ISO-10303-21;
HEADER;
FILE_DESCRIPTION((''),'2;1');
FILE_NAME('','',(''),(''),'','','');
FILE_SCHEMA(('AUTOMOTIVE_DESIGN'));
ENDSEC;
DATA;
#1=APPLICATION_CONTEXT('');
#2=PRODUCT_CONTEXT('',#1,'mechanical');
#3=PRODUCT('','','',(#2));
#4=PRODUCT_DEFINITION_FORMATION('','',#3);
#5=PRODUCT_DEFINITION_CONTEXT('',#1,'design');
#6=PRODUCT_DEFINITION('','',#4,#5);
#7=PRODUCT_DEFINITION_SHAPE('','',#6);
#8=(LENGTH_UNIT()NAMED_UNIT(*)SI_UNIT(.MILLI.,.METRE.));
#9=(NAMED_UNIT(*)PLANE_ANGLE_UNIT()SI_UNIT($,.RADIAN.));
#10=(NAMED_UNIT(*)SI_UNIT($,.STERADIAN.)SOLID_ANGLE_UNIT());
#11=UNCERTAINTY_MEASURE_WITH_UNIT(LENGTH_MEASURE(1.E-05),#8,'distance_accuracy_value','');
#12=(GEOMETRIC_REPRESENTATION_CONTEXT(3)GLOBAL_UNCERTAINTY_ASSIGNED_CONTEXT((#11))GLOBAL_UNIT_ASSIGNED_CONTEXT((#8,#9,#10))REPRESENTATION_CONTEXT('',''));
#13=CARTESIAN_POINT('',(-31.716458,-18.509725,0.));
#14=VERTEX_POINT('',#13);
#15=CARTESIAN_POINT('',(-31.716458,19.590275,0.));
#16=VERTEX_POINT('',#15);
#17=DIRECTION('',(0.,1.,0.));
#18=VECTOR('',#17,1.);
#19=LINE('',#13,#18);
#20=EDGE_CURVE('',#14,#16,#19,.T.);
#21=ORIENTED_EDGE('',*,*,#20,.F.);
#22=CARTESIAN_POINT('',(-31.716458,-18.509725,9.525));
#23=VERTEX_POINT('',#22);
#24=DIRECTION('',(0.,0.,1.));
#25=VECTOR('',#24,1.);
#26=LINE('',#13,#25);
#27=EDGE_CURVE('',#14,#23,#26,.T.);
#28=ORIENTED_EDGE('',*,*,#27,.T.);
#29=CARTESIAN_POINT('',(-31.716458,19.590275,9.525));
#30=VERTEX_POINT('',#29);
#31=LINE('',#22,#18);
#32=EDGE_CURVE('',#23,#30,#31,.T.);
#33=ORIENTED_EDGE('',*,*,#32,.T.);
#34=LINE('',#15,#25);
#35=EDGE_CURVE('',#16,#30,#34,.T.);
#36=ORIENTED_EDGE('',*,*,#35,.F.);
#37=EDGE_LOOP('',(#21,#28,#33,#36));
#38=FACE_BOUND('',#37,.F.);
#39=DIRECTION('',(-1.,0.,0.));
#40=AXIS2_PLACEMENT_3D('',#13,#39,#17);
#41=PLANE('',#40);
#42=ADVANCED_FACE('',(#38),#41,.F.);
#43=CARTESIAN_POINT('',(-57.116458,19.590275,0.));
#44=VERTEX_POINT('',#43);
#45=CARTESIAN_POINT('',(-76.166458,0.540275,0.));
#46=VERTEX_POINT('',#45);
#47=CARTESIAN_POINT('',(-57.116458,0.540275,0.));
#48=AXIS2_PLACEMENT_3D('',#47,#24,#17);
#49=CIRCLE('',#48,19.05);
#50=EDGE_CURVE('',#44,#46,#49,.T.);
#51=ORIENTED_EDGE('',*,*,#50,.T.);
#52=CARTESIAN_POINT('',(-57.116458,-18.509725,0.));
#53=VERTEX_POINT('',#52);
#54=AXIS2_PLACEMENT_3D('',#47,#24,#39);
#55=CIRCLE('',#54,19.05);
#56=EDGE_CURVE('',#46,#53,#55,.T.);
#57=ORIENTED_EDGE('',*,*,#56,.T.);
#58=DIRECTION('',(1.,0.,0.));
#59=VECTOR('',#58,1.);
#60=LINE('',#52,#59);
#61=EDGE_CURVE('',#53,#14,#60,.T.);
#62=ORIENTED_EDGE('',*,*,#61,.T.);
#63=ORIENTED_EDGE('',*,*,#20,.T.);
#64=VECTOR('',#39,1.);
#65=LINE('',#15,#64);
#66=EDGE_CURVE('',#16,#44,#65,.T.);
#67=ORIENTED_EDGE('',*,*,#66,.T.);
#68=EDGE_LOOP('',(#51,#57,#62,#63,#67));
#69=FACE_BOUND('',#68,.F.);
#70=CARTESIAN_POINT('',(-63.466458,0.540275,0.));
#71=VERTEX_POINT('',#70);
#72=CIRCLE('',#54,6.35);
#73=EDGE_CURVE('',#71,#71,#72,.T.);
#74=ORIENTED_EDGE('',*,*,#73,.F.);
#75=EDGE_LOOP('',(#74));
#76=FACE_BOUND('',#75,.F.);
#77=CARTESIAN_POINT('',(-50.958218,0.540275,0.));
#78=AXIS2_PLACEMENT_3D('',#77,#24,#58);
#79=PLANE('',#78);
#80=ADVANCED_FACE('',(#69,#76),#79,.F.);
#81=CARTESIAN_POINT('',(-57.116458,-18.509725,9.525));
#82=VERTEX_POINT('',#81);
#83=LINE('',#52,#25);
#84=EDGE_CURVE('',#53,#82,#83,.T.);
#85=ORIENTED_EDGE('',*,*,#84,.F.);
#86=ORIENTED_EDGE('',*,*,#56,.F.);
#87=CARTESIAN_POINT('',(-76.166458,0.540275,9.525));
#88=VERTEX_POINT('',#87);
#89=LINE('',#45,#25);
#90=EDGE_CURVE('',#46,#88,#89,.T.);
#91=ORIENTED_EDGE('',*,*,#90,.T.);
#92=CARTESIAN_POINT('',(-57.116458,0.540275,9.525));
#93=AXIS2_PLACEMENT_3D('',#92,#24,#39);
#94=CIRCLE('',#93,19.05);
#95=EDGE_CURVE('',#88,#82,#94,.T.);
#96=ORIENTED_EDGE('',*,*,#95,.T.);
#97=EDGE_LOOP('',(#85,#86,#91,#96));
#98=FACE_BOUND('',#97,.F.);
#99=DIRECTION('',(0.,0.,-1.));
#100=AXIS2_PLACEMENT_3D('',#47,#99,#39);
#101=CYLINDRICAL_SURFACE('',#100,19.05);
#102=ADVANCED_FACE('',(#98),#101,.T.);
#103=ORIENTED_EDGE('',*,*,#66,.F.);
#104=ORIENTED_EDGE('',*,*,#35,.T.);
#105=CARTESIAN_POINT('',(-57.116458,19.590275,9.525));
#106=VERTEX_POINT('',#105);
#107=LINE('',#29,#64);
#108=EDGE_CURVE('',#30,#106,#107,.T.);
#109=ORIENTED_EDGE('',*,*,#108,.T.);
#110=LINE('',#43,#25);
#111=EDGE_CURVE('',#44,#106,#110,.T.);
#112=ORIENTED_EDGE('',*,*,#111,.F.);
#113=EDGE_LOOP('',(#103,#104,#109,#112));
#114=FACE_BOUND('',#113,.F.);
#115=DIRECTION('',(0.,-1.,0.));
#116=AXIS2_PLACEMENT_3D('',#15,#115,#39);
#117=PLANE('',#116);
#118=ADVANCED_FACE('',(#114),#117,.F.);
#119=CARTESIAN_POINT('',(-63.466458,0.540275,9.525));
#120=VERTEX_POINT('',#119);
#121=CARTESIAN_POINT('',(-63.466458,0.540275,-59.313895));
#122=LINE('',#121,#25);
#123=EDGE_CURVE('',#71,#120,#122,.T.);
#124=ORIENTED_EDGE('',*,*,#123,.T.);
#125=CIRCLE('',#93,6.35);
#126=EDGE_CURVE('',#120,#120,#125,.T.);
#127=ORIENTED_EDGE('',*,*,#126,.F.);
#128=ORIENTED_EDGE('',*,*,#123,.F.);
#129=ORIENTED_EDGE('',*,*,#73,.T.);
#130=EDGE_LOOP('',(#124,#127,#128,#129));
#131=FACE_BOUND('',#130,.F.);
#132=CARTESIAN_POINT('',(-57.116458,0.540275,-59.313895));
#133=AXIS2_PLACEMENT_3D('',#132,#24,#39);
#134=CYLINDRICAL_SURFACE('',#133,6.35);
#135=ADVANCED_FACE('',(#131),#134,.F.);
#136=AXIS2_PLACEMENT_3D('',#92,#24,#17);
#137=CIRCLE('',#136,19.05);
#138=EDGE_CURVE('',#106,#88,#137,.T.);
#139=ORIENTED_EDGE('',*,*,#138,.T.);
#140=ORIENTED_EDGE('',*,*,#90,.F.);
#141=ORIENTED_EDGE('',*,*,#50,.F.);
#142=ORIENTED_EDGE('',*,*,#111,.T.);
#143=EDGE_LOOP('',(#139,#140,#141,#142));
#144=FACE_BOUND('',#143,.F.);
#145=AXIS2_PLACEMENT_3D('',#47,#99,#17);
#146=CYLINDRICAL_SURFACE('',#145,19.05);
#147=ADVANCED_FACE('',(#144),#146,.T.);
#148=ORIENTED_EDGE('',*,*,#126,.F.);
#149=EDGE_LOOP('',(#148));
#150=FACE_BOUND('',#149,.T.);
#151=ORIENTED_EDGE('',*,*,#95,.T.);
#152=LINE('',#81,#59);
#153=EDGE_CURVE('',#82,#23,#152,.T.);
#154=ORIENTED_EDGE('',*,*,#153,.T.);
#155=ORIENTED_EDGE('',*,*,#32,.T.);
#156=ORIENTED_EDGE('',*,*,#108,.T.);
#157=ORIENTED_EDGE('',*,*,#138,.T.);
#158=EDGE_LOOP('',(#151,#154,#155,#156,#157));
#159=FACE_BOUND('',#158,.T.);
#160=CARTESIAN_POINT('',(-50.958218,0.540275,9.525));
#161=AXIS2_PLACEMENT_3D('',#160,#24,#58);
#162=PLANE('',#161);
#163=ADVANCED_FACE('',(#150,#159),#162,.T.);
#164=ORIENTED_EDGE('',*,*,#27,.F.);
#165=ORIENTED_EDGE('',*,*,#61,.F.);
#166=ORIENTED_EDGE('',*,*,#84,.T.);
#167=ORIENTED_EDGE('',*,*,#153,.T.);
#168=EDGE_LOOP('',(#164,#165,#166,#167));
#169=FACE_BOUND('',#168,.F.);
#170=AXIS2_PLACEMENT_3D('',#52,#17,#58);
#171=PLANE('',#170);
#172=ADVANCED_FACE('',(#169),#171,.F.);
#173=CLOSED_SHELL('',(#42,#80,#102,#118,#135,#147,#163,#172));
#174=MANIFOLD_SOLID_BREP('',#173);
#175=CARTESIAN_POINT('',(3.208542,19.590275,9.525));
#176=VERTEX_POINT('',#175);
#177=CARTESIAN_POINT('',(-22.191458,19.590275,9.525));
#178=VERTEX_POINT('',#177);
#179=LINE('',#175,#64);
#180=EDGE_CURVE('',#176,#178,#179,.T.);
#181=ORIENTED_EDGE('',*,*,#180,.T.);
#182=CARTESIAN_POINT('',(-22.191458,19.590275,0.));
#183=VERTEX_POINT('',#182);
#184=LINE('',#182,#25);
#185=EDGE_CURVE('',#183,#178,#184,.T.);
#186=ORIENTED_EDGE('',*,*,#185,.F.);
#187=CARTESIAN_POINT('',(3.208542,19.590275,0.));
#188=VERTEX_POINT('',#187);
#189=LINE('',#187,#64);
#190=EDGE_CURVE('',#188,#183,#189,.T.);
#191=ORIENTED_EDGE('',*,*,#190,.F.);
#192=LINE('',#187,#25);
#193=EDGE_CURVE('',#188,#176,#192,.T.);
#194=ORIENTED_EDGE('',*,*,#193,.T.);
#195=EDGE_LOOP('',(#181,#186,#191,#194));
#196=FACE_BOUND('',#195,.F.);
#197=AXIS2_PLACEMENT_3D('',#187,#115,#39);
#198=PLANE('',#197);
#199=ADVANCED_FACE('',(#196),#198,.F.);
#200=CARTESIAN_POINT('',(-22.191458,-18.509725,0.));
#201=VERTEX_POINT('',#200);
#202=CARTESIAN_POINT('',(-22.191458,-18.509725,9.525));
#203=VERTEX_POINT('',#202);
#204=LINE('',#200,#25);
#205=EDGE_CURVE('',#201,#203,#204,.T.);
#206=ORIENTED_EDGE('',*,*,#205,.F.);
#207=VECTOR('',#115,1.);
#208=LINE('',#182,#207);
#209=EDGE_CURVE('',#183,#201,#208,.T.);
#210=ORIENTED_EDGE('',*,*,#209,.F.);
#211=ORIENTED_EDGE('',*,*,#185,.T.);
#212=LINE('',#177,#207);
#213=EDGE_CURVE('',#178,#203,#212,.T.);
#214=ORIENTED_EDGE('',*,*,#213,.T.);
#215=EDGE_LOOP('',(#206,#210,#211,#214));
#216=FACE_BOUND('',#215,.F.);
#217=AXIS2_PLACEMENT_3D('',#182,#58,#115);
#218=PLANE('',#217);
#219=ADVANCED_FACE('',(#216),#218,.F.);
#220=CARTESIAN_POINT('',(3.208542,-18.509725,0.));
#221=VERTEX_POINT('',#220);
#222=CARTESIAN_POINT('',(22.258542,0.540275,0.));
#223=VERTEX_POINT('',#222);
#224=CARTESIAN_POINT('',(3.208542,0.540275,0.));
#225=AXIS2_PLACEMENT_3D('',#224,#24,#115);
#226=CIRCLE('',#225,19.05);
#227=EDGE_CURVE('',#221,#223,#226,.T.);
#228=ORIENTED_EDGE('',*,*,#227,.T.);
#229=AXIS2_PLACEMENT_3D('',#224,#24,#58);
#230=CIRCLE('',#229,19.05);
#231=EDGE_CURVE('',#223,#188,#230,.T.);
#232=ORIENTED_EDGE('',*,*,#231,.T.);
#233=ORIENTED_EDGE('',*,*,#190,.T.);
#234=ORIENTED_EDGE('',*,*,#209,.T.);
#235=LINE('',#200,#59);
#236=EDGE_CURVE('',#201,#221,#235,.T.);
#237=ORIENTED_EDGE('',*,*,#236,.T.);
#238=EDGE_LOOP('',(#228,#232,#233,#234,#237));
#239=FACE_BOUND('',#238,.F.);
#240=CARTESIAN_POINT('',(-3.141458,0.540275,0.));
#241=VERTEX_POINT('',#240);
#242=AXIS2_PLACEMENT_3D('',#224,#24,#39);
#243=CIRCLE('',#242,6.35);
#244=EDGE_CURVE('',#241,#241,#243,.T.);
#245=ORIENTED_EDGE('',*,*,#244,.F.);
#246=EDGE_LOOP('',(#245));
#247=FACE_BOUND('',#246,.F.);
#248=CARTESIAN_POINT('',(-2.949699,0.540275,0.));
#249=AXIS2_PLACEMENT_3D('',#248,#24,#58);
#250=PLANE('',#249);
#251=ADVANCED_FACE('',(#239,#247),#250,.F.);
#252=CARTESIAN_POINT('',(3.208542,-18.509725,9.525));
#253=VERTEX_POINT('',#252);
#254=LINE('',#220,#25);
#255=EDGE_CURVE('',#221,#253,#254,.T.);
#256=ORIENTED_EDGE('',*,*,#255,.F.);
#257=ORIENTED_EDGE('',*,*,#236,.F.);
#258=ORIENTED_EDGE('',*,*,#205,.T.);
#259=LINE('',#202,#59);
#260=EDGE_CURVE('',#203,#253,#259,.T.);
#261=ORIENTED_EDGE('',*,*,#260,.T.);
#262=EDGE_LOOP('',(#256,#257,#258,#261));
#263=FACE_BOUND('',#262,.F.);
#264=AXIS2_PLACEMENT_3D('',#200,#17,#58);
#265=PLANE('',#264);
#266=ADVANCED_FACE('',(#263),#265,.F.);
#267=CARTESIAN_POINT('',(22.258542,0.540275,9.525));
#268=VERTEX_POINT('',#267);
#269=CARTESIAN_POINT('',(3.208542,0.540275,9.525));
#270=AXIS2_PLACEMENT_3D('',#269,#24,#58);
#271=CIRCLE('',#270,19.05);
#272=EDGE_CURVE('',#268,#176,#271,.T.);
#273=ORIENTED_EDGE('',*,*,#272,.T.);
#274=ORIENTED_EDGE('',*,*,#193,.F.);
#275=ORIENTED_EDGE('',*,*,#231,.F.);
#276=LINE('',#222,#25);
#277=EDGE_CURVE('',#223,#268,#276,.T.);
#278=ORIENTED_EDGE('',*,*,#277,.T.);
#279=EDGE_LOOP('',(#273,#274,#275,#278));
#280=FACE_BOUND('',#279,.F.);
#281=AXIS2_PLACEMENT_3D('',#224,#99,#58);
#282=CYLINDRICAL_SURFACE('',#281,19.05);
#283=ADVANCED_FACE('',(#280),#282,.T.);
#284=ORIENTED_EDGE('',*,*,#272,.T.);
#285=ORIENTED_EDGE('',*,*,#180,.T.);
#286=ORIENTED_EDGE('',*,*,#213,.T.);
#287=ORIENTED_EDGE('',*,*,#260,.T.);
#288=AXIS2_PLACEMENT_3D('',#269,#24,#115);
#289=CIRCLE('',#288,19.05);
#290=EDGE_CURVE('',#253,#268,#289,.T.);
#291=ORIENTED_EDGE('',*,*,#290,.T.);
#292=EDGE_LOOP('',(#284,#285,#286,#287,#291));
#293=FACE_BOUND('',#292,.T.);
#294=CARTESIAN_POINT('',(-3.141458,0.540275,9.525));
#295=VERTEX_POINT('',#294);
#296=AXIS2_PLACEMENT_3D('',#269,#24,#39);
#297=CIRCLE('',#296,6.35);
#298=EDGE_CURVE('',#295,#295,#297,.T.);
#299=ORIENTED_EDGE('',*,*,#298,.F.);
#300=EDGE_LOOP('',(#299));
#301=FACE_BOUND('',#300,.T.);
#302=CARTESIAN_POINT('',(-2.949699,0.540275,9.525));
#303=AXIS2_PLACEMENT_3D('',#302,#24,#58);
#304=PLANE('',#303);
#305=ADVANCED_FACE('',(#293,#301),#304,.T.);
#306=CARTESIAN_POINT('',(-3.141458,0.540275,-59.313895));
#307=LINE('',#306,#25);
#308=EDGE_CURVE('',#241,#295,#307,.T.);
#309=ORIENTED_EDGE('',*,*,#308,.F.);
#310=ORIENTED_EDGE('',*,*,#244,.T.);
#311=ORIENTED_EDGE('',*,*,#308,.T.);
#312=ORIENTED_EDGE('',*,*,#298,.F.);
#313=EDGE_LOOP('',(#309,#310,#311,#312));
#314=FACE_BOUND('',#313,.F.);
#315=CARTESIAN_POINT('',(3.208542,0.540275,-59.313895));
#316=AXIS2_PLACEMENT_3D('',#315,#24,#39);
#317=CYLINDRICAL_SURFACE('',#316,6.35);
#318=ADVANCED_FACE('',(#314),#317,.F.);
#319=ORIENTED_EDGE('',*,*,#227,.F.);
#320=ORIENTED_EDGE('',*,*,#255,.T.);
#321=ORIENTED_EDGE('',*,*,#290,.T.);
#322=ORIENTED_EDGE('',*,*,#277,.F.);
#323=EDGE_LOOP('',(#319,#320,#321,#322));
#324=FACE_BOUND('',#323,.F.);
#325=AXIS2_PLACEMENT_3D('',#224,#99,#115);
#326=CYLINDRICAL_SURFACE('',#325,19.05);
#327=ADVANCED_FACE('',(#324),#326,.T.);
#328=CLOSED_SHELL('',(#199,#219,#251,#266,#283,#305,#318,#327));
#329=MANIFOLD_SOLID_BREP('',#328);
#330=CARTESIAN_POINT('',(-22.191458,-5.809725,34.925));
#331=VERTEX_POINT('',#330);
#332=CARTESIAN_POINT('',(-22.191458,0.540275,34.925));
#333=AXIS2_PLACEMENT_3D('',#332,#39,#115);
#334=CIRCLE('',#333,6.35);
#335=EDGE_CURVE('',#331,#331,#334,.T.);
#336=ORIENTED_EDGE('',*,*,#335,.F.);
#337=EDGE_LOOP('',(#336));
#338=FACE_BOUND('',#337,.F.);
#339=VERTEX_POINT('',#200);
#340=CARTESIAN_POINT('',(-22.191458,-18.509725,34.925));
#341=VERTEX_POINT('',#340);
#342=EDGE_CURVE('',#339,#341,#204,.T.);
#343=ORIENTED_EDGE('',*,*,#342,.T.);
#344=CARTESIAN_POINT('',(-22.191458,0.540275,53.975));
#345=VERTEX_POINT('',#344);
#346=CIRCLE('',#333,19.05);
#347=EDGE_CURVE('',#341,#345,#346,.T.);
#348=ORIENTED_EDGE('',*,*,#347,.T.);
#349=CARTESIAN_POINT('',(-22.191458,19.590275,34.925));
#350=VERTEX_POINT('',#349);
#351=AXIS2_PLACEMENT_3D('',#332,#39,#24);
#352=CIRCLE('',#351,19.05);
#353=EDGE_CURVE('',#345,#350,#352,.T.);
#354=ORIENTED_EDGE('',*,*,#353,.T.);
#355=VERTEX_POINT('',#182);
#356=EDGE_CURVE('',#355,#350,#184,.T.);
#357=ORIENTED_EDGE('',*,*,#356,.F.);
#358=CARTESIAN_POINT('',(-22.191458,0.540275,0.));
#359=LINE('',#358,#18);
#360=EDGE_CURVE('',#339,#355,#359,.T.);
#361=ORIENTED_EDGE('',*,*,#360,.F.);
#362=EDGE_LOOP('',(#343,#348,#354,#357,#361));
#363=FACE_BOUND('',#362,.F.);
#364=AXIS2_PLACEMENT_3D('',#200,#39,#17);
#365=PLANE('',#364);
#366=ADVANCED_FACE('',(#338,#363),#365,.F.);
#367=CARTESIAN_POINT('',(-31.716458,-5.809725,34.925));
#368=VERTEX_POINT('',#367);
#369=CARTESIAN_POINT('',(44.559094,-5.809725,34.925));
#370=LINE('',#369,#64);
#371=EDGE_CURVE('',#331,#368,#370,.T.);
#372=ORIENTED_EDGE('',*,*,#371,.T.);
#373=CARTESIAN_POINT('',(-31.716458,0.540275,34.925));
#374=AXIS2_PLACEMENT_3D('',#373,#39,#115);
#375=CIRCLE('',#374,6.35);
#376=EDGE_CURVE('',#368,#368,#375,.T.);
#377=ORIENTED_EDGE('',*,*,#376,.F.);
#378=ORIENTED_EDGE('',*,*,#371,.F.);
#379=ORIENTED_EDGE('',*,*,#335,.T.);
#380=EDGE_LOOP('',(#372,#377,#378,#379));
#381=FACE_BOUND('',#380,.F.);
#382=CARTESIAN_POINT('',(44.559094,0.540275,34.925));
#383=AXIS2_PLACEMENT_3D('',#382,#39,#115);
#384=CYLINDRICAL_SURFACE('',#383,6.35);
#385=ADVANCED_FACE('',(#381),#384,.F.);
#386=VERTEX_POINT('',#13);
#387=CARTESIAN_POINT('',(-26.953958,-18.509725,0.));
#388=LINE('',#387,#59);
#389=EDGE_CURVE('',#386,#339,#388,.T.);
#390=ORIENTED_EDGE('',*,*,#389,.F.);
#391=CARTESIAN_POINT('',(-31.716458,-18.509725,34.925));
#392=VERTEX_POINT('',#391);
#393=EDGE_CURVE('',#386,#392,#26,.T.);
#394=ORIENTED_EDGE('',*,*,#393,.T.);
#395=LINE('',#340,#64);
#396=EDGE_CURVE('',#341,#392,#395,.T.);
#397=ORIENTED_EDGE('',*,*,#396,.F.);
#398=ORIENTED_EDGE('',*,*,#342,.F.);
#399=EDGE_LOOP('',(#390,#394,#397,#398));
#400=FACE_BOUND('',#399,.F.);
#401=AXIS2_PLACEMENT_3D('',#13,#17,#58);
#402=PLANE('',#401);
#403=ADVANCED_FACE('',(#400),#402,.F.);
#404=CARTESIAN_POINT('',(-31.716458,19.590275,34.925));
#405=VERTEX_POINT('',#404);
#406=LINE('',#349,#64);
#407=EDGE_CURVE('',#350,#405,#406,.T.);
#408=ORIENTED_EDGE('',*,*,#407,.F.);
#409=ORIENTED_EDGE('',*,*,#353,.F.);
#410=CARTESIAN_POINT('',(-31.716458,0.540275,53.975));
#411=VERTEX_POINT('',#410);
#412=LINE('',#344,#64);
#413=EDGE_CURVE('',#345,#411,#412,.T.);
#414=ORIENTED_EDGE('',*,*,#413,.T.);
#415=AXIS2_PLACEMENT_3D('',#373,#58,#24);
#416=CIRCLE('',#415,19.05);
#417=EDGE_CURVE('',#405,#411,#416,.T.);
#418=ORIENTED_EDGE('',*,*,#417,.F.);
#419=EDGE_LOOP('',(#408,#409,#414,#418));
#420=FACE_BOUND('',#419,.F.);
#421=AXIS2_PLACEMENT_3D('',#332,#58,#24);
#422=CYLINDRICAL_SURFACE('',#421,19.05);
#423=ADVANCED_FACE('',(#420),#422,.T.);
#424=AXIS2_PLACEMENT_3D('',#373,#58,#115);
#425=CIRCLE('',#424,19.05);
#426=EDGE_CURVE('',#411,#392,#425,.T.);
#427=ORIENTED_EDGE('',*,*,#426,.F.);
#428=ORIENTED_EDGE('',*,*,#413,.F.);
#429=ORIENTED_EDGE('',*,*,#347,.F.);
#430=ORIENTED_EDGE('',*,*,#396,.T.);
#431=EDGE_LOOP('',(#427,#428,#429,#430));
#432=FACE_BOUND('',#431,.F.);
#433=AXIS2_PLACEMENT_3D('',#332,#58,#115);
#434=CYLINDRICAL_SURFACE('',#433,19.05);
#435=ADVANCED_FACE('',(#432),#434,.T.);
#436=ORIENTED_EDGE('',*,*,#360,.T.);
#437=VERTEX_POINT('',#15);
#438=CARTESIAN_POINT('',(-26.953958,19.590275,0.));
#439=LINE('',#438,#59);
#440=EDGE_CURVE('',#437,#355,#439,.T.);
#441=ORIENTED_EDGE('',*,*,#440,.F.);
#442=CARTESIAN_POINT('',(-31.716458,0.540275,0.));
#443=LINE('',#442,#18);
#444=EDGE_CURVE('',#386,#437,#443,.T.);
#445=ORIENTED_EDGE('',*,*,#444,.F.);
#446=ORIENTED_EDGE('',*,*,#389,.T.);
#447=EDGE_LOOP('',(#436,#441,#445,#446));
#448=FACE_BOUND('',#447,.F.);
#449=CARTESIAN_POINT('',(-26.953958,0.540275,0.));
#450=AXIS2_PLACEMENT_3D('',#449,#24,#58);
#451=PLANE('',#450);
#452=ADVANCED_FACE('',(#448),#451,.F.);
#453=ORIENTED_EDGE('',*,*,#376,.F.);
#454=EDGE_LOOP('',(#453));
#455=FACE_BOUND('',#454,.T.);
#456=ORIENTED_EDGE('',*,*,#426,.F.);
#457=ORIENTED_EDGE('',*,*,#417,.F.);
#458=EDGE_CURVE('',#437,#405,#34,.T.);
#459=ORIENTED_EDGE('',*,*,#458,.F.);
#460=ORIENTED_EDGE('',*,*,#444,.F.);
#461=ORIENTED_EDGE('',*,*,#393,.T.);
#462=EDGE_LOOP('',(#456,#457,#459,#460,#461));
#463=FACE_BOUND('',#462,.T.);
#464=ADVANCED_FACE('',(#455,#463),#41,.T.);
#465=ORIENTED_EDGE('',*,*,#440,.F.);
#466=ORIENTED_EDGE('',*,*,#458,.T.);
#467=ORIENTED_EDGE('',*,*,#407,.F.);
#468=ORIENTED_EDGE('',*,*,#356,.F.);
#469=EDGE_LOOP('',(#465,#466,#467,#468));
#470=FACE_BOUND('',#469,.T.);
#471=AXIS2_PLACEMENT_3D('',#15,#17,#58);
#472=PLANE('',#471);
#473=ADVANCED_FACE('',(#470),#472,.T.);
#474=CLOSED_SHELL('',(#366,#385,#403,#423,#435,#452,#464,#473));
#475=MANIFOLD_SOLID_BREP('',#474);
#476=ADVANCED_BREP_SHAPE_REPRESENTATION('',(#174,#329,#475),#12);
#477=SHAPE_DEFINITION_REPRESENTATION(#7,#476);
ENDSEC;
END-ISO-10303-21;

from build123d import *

# Parameters (mm, degrees)
F1_DEPTH = 9.525
F0_W     = 9.525
F0_H     = 38.1
F2_DEPTH = 53.975
F4_DEPTH = 25.4
F5_D     = 12.7
F6_D     = 12.7
F8_D     = 12.7


with BuildPart() as f1:
    # F0 (on Top) → F1 (new body)
    with BuildSketch(Plane.XY):
        with BuildLine():
            Line((3.2085415721, 19.5902753621), (-22.1914584279, 19.5902753621))
            Line((-22.1914584279, 19.5902753621), (-22.1914584279, -18.5097246379))
            Line((-22.1914584279, -18.5097246379), (3.2085415721, -18.5097246379))
            ThreePointArc((3.2085415721, -18.5097246379), (16.6789257537, -12.9301088195), (22.2585415721, 0.5402753621))
            ThreePointArc((22.2585415721, 0.5402753621), (16.6789257537, 14.0106595437), (3.2085415721, 19.5902753621))
        make_face()
    extrude(amount=F1_DEPTH)

    # F6 (through all)
    with Locations(Plane(origin=(0, 0, 0), x_dir=(1, 0, 0), z_dir=(0, 0, -1))):
        with Locations((3.2085415721, -0.5402753621)):
            Hole(F6_D / 2)


with BuildPart() as f1b:
    # F0 (on Top) → F1, piece 2 (new body)
    with BuildSketch(Plane.XY):
        with BuildLine():
            Line((-31.7164584279, 19.5902753621), (-57.1164584279, 19.5902753621))
            ThreePointArc((-57.1164584279, 19.5902753621), (-70.5868426095, 14.0106595437), (-76.1664584279, 0.5402753621))
            ThreePointArc((-76.1664584279, 0.5402753621), (-70.5868426095, -12.9301088195), (-57.1164584279, -18.5097246379))
            Line((-57.1164584279, -18.5097246379), (-31.7164584279, -18.5097246379))
            Line((-31.7164584279, -18.5097246379), (-31.7164584279, 19.5902753621))
        make_face()
    extrude(amount=F1_DEPTH)

    # F5 (through all)
    with Locations(Plane(origin=(0, 0, 0), x_dir=(1, 0, 0), z_dir=(0, 0, -1))):
        with Locations((-57.1164584279, -0.5402753621)):
            Hole(F5_D / 2)


with BuildPart() as f2:
    # F0 (on Top) → F2 (new body)
    with BuildSketch(Plane.XY):
        with Locations((-26.9539584279, 0.5402753621)):
            Rectangle(F0_W, F0_H)
    extrude(amount=F2_DEPTH)

    # F3 (on face) → F4 (cut)
    with BuildSketch(Plane.YZ.offset(-22.1914584279)):
        with BuildLine():
            ThreePointArc((-18.5097246379, 34.925), (-12.9301088195, 48.3953841816), (0.5402753621, 53.975))
            Line((0.5402753621, 53.975), (-18.5097246379, 53.975))
            Line((-18.5097246379, 53.975), (-18.5097246379, 34.925))
        make_face()
        with BuildLine():
            ThreePointArc((0.5402753621, 53.975), (14.0106595437, 48.3953841816), (19.5902753621, 34.925))
            Line((19.5902753621, 34.925), (19.5902753621, 53.975))
            Line((19.5902753621, 53.975), (0.5402753621, 53.975))
        make_face()
    extrude(amount=-F4_DEPTH, mode=Mode.SUBTRACT)

    # F8 (through all)
    with Locations(Plane.YZ.offset(-22.1914584279)):
        with Locations((0.5402753621, 34.925)):
            Hole(F8_D / 2)


solid = Compound([f1.part, f1b.part, f2.part])
